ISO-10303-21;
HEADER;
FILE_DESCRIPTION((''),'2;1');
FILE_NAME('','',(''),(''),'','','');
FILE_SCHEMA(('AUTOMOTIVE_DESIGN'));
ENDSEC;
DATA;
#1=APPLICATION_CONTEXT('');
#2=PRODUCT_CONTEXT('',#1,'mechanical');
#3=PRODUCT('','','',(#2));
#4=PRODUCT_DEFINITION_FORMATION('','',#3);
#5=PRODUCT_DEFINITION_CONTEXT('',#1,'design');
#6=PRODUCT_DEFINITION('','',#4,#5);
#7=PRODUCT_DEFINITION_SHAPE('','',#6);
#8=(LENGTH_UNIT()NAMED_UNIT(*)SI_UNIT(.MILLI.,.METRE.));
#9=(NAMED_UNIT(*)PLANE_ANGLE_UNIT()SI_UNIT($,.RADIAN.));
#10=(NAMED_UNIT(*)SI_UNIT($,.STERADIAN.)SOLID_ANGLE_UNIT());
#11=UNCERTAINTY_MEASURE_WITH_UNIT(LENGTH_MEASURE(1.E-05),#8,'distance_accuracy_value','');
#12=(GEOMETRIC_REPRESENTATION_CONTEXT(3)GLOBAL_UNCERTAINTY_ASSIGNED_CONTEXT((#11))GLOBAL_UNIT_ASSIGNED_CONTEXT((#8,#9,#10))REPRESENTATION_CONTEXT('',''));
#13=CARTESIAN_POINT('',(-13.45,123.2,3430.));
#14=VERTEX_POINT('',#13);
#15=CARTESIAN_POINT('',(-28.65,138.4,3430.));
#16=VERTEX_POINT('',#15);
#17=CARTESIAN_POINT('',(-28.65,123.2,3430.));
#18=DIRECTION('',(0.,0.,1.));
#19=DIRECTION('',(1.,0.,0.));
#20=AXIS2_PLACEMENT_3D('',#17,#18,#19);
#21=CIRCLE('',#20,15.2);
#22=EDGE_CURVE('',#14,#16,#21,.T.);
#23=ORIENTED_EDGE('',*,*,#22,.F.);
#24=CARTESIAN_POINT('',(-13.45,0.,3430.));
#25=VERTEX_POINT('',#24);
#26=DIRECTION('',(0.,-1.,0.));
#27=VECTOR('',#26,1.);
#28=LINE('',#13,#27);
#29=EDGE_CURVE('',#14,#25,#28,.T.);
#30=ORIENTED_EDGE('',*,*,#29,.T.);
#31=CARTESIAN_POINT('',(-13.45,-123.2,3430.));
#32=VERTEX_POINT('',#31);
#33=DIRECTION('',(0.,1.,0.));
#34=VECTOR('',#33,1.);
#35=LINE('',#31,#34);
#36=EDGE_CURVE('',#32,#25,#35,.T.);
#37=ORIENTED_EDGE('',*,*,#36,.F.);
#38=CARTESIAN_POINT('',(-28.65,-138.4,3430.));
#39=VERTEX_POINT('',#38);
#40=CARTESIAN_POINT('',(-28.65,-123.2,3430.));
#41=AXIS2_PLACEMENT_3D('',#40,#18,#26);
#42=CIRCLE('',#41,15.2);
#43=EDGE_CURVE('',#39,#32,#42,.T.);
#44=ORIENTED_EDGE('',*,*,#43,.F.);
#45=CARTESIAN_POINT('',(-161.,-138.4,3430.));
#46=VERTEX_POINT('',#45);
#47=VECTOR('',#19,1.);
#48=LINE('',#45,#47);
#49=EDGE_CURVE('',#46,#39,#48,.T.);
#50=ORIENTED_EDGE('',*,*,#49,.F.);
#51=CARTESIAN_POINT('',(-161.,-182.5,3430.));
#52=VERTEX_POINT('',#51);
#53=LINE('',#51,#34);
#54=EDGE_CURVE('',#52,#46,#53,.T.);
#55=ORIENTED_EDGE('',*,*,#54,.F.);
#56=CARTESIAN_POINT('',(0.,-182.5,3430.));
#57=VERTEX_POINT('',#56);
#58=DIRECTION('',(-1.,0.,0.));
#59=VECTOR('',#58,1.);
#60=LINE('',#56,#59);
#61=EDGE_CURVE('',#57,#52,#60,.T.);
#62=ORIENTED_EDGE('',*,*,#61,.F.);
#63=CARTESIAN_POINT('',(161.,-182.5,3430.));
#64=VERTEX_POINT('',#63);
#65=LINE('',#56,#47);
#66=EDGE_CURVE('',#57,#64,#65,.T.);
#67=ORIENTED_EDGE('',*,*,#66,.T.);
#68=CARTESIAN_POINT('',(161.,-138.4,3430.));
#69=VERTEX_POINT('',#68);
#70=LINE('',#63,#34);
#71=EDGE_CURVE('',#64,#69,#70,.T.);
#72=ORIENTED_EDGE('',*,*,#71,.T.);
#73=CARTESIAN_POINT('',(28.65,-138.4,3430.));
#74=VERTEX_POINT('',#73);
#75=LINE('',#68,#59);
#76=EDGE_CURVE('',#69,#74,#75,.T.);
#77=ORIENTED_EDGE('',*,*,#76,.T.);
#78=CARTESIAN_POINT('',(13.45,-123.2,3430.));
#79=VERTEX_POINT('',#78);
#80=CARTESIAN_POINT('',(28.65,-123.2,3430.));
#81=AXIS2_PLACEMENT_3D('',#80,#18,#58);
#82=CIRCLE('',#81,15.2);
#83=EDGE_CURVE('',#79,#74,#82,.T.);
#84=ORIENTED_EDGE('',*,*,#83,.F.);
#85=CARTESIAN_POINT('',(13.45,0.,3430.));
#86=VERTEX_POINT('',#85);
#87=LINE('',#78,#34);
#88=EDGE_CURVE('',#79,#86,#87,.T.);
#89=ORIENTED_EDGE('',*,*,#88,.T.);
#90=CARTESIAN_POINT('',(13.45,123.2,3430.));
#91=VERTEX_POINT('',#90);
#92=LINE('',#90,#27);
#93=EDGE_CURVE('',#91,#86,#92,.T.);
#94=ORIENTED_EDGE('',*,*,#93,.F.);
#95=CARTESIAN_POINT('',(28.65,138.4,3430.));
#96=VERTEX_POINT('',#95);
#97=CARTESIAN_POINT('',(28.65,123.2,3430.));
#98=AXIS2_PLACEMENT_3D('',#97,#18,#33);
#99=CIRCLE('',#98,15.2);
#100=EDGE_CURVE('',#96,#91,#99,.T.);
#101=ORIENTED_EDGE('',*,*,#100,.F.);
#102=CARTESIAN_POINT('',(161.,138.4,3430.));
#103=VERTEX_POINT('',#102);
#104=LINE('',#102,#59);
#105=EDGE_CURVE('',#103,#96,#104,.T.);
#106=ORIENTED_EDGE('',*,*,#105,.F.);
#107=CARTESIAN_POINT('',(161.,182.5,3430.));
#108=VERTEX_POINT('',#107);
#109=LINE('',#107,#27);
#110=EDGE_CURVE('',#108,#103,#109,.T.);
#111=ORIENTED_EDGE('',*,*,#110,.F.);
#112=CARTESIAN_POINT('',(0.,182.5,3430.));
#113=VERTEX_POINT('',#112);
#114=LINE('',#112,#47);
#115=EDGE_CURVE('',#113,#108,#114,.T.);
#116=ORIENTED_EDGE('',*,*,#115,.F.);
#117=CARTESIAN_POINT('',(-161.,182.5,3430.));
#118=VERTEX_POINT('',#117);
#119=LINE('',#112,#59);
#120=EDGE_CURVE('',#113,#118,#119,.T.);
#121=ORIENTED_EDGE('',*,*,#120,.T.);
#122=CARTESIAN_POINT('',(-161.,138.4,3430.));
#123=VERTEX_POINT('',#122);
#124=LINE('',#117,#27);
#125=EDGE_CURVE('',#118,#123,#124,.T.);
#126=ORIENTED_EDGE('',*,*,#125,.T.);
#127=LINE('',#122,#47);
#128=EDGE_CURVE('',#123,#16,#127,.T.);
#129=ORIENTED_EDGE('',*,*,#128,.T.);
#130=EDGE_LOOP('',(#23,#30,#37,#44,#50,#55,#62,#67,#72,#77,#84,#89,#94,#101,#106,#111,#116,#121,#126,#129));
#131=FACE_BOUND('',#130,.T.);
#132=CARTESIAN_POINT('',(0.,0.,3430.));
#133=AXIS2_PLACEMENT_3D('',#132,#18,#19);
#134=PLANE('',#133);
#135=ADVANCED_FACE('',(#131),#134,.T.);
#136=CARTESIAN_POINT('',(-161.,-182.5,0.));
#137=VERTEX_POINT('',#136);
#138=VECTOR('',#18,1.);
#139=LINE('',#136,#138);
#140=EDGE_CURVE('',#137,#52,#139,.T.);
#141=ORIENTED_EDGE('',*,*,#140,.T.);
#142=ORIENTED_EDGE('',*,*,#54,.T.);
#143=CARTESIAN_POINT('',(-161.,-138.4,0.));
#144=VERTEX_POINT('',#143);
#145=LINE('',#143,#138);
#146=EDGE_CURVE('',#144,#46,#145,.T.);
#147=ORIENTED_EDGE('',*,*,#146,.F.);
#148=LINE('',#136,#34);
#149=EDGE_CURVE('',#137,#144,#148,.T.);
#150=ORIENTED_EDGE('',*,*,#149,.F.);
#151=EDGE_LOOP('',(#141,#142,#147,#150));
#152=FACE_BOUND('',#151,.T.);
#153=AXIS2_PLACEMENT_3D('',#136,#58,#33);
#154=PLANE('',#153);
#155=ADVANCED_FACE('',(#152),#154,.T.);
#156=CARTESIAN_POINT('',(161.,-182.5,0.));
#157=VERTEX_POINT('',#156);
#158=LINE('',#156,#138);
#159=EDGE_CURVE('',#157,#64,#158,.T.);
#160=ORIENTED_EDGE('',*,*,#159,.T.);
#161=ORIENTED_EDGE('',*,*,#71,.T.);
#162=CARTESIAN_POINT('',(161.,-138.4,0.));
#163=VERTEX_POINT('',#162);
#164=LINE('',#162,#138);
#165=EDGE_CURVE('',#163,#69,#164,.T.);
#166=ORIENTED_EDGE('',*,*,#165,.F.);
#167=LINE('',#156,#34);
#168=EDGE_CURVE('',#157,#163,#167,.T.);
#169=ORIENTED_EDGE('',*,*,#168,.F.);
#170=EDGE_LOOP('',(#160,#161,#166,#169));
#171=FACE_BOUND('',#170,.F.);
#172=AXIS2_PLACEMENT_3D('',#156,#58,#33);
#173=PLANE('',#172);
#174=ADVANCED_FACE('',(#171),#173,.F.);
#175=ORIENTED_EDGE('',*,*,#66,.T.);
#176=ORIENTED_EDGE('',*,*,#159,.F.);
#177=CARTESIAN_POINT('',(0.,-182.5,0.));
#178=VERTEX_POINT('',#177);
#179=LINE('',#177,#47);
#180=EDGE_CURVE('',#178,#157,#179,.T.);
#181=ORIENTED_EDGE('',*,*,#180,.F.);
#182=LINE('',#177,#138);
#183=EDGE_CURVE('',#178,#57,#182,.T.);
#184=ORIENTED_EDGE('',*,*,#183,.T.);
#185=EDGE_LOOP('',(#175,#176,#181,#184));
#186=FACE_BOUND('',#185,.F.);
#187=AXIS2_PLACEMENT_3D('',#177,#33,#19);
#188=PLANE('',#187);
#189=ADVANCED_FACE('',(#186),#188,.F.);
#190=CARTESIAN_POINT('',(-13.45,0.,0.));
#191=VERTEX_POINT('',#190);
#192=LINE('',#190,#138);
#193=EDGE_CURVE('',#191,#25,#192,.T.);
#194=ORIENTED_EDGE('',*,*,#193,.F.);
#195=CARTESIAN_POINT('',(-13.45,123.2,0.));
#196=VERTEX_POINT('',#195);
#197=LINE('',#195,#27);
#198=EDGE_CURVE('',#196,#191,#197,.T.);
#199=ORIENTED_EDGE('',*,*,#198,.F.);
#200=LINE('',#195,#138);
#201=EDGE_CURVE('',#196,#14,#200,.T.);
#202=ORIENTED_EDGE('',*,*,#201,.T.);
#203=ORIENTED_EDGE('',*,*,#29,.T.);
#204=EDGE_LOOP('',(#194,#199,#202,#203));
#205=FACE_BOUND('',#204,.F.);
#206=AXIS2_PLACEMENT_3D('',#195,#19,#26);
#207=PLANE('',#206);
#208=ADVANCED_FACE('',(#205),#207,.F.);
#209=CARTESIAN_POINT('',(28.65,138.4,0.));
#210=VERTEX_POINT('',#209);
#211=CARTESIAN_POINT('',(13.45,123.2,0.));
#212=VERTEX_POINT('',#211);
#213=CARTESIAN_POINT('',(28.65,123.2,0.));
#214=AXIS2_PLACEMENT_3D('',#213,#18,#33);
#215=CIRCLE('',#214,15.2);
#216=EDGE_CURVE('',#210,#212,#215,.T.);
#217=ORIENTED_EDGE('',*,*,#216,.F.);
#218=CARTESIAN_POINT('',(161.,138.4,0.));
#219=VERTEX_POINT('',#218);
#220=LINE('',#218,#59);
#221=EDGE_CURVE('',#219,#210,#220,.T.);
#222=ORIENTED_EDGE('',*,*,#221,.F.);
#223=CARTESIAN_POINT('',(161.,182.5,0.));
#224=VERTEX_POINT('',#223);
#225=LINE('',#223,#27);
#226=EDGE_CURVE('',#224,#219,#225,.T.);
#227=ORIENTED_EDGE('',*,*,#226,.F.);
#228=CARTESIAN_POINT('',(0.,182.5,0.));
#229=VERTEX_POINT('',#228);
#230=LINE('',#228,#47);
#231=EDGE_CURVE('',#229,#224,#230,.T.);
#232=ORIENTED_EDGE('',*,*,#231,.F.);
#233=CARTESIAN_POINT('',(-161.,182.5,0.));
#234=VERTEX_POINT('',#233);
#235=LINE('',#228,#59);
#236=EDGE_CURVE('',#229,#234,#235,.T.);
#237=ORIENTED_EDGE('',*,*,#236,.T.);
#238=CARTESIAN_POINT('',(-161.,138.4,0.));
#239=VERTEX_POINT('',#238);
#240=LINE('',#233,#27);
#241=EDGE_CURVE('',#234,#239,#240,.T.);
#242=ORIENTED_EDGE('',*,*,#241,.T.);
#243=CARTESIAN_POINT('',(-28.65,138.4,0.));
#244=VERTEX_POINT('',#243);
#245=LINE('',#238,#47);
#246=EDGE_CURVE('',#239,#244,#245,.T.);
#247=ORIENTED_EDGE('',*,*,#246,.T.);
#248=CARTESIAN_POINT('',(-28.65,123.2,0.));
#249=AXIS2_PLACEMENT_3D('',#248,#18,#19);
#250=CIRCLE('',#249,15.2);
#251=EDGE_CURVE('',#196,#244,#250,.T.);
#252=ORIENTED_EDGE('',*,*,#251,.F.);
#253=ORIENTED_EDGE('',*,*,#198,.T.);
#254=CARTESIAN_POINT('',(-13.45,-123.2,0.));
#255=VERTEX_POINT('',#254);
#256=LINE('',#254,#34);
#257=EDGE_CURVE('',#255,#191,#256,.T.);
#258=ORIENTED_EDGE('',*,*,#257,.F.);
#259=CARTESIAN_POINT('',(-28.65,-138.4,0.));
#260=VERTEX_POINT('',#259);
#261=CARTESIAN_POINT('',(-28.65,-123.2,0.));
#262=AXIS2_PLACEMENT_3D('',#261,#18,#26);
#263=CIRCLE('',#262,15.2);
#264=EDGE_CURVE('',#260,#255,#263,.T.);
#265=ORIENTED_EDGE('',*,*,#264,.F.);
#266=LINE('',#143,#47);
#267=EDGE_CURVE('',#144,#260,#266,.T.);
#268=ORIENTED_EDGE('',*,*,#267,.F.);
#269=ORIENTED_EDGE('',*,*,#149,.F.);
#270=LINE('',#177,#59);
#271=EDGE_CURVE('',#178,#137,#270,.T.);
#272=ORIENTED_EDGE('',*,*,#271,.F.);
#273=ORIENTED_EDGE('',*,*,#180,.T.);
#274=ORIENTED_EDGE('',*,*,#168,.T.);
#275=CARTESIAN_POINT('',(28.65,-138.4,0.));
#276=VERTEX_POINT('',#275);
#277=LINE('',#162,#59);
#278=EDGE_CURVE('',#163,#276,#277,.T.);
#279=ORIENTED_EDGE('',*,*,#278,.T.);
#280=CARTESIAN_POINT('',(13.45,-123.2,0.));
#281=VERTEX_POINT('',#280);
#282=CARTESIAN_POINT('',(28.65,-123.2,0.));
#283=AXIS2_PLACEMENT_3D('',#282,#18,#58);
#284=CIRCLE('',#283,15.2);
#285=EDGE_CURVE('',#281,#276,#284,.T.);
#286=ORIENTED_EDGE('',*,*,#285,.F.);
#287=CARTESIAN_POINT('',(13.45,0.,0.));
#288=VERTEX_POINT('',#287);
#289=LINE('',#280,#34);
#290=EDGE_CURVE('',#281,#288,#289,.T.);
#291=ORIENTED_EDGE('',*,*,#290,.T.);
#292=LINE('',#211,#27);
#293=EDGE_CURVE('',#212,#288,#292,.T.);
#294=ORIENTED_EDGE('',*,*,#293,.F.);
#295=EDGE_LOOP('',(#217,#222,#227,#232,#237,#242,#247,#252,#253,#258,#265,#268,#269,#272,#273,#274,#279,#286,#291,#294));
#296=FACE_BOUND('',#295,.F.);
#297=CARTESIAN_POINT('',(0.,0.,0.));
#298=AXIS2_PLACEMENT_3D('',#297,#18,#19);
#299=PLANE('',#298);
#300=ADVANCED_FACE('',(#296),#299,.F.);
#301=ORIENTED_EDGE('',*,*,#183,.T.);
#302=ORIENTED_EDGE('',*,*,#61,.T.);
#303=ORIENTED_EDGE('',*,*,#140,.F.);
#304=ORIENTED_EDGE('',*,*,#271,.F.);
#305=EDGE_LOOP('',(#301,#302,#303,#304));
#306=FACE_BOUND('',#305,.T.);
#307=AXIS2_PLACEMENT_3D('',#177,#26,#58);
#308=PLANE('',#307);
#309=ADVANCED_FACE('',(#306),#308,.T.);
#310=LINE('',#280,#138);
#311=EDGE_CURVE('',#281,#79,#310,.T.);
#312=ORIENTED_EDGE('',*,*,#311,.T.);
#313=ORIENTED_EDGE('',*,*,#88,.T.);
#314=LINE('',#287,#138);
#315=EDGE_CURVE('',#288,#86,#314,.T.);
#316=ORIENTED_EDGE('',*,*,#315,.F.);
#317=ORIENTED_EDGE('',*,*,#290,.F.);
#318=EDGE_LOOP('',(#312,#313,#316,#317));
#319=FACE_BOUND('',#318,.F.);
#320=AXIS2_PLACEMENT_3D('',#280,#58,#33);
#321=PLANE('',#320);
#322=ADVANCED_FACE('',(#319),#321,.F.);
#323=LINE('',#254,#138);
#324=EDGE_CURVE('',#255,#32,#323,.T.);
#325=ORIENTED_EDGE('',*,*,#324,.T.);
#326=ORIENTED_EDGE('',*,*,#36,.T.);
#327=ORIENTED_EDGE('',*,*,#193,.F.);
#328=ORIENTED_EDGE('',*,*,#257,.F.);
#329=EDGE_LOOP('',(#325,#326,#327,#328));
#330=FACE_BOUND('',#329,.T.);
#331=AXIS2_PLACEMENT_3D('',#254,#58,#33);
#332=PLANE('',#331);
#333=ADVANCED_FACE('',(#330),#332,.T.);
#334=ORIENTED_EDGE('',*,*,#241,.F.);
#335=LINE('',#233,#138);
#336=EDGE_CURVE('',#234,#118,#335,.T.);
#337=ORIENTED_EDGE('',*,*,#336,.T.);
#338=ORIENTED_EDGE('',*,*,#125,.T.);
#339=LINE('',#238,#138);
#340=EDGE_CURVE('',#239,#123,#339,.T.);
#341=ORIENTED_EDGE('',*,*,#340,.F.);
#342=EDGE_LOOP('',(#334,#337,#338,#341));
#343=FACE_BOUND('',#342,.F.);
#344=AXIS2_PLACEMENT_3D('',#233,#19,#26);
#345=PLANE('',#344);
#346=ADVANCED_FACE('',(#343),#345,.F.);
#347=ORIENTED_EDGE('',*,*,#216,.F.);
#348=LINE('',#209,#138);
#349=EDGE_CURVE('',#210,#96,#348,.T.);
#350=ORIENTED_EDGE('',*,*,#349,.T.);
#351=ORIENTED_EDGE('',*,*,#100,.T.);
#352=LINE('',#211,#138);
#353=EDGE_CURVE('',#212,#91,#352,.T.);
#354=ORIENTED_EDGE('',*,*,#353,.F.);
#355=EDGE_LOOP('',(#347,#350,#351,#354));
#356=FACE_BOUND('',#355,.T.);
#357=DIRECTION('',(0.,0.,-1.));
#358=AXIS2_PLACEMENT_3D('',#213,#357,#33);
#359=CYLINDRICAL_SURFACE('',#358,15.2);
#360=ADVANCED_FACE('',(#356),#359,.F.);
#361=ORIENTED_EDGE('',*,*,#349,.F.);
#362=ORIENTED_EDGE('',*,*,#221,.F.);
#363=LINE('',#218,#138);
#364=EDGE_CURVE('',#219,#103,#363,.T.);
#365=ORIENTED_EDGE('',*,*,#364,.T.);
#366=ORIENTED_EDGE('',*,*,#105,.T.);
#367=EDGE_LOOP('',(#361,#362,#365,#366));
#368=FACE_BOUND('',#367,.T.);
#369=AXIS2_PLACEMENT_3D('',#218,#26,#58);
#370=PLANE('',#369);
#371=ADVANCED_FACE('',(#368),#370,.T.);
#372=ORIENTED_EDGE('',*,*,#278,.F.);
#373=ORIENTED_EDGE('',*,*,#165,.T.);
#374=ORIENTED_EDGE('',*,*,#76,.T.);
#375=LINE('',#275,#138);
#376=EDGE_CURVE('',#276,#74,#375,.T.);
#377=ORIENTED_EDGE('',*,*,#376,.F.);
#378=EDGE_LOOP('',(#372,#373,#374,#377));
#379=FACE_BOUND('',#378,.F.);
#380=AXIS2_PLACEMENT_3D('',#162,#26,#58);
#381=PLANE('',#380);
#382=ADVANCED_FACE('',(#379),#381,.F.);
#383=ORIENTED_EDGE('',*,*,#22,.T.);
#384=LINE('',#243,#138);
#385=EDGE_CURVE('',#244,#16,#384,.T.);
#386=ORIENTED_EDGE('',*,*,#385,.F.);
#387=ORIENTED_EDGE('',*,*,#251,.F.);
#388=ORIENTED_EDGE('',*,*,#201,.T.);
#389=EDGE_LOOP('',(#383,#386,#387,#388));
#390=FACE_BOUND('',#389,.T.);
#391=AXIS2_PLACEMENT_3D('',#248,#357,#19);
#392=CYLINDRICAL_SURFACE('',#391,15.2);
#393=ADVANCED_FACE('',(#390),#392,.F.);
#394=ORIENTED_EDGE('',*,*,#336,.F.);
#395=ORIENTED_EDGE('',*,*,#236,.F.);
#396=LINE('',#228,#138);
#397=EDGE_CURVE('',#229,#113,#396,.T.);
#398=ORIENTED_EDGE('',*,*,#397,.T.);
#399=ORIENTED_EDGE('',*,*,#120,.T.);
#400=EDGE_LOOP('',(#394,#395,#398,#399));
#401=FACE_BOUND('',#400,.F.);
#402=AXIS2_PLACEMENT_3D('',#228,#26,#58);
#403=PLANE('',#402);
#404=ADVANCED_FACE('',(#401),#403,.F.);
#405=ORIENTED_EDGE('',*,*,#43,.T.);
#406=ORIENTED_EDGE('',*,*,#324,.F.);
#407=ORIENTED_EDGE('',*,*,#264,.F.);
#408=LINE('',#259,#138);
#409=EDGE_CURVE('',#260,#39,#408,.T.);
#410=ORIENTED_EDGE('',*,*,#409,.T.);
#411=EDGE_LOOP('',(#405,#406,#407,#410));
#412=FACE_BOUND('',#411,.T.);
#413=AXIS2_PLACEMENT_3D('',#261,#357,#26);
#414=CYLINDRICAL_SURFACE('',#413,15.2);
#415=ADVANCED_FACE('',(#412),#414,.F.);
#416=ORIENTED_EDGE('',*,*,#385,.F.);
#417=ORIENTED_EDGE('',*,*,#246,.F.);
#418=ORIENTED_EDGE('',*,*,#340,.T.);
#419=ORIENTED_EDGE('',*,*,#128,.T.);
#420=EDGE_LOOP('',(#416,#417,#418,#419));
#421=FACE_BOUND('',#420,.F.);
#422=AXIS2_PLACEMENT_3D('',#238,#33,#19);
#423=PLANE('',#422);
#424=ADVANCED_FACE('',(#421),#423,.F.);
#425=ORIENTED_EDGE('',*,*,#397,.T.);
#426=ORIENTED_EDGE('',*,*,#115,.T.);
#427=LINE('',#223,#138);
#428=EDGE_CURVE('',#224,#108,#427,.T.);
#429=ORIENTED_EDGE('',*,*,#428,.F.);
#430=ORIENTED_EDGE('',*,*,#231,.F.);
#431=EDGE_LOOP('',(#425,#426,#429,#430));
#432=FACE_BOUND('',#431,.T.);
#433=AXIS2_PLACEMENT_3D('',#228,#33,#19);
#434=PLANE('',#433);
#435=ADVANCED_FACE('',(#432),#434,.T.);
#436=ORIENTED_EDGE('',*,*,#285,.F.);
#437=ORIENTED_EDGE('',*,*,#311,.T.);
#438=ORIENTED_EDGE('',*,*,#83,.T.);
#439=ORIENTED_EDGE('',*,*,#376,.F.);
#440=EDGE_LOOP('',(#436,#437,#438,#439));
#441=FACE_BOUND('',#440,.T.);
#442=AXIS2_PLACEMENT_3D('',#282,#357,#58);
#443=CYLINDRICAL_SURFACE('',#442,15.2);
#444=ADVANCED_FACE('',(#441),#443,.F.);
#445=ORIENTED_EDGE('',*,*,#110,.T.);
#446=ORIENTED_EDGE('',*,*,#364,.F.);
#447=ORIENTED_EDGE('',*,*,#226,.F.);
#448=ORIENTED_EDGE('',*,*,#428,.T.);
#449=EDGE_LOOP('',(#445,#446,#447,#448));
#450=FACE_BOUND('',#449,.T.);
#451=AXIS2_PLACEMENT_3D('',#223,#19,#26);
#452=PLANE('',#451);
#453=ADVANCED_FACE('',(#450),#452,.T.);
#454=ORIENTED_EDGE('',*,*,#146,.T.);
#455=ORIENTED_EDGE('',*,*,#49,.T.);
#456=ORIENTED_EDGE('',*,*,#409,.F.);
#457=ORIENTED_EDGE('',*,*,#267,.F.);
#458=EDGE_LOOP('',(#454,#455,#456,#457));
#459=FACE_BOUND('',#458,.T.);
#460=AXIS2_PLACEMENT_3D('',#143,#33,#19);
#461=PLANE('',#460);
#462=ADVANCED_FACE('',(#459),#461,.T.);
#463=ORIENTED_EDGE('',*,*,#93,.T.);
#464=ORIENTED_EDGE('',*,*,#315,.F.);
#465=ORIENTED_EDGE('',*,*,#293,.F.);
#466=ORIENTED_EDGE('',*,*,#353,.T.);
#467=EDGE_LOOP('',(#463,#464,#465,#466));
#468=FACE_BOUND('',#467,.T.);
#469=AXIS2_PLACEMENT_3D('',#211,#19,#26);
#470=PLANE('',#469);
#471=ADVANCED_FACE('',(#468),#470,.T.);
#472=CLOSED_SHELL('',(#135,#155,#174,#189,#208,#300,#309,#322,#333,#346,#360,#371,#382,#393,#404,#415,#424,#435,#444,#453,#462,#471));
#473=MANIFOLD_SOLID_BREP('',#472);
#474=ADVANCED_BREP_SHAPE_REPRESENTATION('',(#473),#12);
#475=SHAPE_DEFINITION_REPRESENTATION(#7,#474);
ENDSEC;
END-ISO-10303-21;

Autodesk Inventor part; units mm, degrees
ref_plane "YZ Plane" through (0, 0, 0) normal (1, 0, 0) x (0, 1, 0)
ref_plane "Start plane" through (0, 0, 0) normal (0, 0, 1) x (1, 0, 0)
ref_plane "End plane" through (0, 0, 3430) normal (0, 0, 1) x (1, 0, 0)
sketch "Sketch" plane through (0, 0, 0) normal (0, 0, 1) x (1, 0, 0)
  line L0 (-161, -182.5) -> (-161, -138.4)
  line L1 (-161, -138.4) -> (-28.65, -138.4)
  line L2 (-13.45, -123.2) -> (-13.45, 0)
  line L3 (-13.45, 0) -> (0, 0) construction
  line L4 (0, 0) -> (0, -182.5) construction
  line L5 (0, -182.5) -> (-161, -182.5)
  line L6 (-60, 0) -> (80, 0) construction
  line L7 (0, -60) -> (0, 80) construction
  line L8 (161, -182.5) -> (161, -138.4)
  line L9 (161, -138.4) -> (28.65, -138.4)
  line L10 (13.45, -123.2) -> (13.45, 0)
  line L11 (13.45, 0) -> (0, 0) construction
  line L12 (0, -182.5) -> (161, -182.5)
  line L13 (-161, 182.5) -> (-161, 138.4)
  line L14 (-161, 138.4) -> (-28.65, 138.4)
  line L15 (-13.45, 123.2) -> (-13.45, 0)
  line L16 (0, 182.5) -> (-161, 182.5)
  line L17 (161, 182.5) -> (161, 138.4)
  line L18 (161, 138.4) -> (28.65, 138.4)
  line L19 (0, 182.5) -> (161, 182.5)
  line L20 (13.45, 123.2) -> (13.45, 0)
  arc A0 (-13.45, 123.2) -> (-28.65, 138.4) centre (-28.65, 123.2) ccw
  arc A1 (28.65, 138.4) -> (13.45, 123.2) centre (28.65, 123.2) ccw
  arc A2 (13.45, -123.2) -> (28.65, -138.4) centre (28.65, -123.2) ccw
  arc A3 (-28.65, -138.4) -> (-13.45, -123.2) centre (-28.65, -123.2) ccw
  line L21 (0, 108) -> (0, -88) construction
  line L22 (-88, 0) -> (108, 0) construction
  point P0 (-13.45, -138.4)
  point P1 (13.45, -138.4)
  point P2 (-13.45, 138.4)
  point P3 (13.45, 138.4)
  dimension "d1" = 182.5
  dimension "d2" = 44.1
  dimension "d3" = 161
  dimension "d4" = 13.45
  dimension "d10" = 15.2
extrude "Body" add sketch "Sketch" along normal up to surface (3430 mm away) from surface at 0
sketch "Sketch4" plane through (0, 0, 0) normal (0, 0, 1) x (1, 0, 0)
  line L0 (0, 0) -> (10, 0)
ref_plane "Work Plane3" through (0, 0, 0) normal (0, -1, 0) x (1, 0, 0)
sketch "Sketch5" plane through (0, 0, 0) normal (0, -1, 0) x (1, 0, 0)
  line L0 (-2, 0) -> (12, 0) projected
  line L1 (-2, 3430) -> (12, 3430) projected
  dimension "d14" = 3430
equation "\"d1\" = 0.5 * G_H"
equation "\"d2\" = G_T1"
equation "\"d3\" = 0.5 * G_W"
equation "\"d4\" = 0.5 * G_T"
equation "\"d10\" = G_IR"
equation "\"d5\" = G_L"
equation "\"G_W\" = 322"
equation "\"G_H\" = 365"
equation "\"G_T\" = 26.9"
equation "\"G_T1\" = 44.1"
equation "\"G_IR\" = 15.2"
equation "\"G_L\" = d14"
equation "\"G_OFFSET_START\" = 0"
equation "\"G_OFFSET_END\" = 0"
properties part number "AS 3679 - 310 UC - 283 - 3430" material "Steel, Mild"
